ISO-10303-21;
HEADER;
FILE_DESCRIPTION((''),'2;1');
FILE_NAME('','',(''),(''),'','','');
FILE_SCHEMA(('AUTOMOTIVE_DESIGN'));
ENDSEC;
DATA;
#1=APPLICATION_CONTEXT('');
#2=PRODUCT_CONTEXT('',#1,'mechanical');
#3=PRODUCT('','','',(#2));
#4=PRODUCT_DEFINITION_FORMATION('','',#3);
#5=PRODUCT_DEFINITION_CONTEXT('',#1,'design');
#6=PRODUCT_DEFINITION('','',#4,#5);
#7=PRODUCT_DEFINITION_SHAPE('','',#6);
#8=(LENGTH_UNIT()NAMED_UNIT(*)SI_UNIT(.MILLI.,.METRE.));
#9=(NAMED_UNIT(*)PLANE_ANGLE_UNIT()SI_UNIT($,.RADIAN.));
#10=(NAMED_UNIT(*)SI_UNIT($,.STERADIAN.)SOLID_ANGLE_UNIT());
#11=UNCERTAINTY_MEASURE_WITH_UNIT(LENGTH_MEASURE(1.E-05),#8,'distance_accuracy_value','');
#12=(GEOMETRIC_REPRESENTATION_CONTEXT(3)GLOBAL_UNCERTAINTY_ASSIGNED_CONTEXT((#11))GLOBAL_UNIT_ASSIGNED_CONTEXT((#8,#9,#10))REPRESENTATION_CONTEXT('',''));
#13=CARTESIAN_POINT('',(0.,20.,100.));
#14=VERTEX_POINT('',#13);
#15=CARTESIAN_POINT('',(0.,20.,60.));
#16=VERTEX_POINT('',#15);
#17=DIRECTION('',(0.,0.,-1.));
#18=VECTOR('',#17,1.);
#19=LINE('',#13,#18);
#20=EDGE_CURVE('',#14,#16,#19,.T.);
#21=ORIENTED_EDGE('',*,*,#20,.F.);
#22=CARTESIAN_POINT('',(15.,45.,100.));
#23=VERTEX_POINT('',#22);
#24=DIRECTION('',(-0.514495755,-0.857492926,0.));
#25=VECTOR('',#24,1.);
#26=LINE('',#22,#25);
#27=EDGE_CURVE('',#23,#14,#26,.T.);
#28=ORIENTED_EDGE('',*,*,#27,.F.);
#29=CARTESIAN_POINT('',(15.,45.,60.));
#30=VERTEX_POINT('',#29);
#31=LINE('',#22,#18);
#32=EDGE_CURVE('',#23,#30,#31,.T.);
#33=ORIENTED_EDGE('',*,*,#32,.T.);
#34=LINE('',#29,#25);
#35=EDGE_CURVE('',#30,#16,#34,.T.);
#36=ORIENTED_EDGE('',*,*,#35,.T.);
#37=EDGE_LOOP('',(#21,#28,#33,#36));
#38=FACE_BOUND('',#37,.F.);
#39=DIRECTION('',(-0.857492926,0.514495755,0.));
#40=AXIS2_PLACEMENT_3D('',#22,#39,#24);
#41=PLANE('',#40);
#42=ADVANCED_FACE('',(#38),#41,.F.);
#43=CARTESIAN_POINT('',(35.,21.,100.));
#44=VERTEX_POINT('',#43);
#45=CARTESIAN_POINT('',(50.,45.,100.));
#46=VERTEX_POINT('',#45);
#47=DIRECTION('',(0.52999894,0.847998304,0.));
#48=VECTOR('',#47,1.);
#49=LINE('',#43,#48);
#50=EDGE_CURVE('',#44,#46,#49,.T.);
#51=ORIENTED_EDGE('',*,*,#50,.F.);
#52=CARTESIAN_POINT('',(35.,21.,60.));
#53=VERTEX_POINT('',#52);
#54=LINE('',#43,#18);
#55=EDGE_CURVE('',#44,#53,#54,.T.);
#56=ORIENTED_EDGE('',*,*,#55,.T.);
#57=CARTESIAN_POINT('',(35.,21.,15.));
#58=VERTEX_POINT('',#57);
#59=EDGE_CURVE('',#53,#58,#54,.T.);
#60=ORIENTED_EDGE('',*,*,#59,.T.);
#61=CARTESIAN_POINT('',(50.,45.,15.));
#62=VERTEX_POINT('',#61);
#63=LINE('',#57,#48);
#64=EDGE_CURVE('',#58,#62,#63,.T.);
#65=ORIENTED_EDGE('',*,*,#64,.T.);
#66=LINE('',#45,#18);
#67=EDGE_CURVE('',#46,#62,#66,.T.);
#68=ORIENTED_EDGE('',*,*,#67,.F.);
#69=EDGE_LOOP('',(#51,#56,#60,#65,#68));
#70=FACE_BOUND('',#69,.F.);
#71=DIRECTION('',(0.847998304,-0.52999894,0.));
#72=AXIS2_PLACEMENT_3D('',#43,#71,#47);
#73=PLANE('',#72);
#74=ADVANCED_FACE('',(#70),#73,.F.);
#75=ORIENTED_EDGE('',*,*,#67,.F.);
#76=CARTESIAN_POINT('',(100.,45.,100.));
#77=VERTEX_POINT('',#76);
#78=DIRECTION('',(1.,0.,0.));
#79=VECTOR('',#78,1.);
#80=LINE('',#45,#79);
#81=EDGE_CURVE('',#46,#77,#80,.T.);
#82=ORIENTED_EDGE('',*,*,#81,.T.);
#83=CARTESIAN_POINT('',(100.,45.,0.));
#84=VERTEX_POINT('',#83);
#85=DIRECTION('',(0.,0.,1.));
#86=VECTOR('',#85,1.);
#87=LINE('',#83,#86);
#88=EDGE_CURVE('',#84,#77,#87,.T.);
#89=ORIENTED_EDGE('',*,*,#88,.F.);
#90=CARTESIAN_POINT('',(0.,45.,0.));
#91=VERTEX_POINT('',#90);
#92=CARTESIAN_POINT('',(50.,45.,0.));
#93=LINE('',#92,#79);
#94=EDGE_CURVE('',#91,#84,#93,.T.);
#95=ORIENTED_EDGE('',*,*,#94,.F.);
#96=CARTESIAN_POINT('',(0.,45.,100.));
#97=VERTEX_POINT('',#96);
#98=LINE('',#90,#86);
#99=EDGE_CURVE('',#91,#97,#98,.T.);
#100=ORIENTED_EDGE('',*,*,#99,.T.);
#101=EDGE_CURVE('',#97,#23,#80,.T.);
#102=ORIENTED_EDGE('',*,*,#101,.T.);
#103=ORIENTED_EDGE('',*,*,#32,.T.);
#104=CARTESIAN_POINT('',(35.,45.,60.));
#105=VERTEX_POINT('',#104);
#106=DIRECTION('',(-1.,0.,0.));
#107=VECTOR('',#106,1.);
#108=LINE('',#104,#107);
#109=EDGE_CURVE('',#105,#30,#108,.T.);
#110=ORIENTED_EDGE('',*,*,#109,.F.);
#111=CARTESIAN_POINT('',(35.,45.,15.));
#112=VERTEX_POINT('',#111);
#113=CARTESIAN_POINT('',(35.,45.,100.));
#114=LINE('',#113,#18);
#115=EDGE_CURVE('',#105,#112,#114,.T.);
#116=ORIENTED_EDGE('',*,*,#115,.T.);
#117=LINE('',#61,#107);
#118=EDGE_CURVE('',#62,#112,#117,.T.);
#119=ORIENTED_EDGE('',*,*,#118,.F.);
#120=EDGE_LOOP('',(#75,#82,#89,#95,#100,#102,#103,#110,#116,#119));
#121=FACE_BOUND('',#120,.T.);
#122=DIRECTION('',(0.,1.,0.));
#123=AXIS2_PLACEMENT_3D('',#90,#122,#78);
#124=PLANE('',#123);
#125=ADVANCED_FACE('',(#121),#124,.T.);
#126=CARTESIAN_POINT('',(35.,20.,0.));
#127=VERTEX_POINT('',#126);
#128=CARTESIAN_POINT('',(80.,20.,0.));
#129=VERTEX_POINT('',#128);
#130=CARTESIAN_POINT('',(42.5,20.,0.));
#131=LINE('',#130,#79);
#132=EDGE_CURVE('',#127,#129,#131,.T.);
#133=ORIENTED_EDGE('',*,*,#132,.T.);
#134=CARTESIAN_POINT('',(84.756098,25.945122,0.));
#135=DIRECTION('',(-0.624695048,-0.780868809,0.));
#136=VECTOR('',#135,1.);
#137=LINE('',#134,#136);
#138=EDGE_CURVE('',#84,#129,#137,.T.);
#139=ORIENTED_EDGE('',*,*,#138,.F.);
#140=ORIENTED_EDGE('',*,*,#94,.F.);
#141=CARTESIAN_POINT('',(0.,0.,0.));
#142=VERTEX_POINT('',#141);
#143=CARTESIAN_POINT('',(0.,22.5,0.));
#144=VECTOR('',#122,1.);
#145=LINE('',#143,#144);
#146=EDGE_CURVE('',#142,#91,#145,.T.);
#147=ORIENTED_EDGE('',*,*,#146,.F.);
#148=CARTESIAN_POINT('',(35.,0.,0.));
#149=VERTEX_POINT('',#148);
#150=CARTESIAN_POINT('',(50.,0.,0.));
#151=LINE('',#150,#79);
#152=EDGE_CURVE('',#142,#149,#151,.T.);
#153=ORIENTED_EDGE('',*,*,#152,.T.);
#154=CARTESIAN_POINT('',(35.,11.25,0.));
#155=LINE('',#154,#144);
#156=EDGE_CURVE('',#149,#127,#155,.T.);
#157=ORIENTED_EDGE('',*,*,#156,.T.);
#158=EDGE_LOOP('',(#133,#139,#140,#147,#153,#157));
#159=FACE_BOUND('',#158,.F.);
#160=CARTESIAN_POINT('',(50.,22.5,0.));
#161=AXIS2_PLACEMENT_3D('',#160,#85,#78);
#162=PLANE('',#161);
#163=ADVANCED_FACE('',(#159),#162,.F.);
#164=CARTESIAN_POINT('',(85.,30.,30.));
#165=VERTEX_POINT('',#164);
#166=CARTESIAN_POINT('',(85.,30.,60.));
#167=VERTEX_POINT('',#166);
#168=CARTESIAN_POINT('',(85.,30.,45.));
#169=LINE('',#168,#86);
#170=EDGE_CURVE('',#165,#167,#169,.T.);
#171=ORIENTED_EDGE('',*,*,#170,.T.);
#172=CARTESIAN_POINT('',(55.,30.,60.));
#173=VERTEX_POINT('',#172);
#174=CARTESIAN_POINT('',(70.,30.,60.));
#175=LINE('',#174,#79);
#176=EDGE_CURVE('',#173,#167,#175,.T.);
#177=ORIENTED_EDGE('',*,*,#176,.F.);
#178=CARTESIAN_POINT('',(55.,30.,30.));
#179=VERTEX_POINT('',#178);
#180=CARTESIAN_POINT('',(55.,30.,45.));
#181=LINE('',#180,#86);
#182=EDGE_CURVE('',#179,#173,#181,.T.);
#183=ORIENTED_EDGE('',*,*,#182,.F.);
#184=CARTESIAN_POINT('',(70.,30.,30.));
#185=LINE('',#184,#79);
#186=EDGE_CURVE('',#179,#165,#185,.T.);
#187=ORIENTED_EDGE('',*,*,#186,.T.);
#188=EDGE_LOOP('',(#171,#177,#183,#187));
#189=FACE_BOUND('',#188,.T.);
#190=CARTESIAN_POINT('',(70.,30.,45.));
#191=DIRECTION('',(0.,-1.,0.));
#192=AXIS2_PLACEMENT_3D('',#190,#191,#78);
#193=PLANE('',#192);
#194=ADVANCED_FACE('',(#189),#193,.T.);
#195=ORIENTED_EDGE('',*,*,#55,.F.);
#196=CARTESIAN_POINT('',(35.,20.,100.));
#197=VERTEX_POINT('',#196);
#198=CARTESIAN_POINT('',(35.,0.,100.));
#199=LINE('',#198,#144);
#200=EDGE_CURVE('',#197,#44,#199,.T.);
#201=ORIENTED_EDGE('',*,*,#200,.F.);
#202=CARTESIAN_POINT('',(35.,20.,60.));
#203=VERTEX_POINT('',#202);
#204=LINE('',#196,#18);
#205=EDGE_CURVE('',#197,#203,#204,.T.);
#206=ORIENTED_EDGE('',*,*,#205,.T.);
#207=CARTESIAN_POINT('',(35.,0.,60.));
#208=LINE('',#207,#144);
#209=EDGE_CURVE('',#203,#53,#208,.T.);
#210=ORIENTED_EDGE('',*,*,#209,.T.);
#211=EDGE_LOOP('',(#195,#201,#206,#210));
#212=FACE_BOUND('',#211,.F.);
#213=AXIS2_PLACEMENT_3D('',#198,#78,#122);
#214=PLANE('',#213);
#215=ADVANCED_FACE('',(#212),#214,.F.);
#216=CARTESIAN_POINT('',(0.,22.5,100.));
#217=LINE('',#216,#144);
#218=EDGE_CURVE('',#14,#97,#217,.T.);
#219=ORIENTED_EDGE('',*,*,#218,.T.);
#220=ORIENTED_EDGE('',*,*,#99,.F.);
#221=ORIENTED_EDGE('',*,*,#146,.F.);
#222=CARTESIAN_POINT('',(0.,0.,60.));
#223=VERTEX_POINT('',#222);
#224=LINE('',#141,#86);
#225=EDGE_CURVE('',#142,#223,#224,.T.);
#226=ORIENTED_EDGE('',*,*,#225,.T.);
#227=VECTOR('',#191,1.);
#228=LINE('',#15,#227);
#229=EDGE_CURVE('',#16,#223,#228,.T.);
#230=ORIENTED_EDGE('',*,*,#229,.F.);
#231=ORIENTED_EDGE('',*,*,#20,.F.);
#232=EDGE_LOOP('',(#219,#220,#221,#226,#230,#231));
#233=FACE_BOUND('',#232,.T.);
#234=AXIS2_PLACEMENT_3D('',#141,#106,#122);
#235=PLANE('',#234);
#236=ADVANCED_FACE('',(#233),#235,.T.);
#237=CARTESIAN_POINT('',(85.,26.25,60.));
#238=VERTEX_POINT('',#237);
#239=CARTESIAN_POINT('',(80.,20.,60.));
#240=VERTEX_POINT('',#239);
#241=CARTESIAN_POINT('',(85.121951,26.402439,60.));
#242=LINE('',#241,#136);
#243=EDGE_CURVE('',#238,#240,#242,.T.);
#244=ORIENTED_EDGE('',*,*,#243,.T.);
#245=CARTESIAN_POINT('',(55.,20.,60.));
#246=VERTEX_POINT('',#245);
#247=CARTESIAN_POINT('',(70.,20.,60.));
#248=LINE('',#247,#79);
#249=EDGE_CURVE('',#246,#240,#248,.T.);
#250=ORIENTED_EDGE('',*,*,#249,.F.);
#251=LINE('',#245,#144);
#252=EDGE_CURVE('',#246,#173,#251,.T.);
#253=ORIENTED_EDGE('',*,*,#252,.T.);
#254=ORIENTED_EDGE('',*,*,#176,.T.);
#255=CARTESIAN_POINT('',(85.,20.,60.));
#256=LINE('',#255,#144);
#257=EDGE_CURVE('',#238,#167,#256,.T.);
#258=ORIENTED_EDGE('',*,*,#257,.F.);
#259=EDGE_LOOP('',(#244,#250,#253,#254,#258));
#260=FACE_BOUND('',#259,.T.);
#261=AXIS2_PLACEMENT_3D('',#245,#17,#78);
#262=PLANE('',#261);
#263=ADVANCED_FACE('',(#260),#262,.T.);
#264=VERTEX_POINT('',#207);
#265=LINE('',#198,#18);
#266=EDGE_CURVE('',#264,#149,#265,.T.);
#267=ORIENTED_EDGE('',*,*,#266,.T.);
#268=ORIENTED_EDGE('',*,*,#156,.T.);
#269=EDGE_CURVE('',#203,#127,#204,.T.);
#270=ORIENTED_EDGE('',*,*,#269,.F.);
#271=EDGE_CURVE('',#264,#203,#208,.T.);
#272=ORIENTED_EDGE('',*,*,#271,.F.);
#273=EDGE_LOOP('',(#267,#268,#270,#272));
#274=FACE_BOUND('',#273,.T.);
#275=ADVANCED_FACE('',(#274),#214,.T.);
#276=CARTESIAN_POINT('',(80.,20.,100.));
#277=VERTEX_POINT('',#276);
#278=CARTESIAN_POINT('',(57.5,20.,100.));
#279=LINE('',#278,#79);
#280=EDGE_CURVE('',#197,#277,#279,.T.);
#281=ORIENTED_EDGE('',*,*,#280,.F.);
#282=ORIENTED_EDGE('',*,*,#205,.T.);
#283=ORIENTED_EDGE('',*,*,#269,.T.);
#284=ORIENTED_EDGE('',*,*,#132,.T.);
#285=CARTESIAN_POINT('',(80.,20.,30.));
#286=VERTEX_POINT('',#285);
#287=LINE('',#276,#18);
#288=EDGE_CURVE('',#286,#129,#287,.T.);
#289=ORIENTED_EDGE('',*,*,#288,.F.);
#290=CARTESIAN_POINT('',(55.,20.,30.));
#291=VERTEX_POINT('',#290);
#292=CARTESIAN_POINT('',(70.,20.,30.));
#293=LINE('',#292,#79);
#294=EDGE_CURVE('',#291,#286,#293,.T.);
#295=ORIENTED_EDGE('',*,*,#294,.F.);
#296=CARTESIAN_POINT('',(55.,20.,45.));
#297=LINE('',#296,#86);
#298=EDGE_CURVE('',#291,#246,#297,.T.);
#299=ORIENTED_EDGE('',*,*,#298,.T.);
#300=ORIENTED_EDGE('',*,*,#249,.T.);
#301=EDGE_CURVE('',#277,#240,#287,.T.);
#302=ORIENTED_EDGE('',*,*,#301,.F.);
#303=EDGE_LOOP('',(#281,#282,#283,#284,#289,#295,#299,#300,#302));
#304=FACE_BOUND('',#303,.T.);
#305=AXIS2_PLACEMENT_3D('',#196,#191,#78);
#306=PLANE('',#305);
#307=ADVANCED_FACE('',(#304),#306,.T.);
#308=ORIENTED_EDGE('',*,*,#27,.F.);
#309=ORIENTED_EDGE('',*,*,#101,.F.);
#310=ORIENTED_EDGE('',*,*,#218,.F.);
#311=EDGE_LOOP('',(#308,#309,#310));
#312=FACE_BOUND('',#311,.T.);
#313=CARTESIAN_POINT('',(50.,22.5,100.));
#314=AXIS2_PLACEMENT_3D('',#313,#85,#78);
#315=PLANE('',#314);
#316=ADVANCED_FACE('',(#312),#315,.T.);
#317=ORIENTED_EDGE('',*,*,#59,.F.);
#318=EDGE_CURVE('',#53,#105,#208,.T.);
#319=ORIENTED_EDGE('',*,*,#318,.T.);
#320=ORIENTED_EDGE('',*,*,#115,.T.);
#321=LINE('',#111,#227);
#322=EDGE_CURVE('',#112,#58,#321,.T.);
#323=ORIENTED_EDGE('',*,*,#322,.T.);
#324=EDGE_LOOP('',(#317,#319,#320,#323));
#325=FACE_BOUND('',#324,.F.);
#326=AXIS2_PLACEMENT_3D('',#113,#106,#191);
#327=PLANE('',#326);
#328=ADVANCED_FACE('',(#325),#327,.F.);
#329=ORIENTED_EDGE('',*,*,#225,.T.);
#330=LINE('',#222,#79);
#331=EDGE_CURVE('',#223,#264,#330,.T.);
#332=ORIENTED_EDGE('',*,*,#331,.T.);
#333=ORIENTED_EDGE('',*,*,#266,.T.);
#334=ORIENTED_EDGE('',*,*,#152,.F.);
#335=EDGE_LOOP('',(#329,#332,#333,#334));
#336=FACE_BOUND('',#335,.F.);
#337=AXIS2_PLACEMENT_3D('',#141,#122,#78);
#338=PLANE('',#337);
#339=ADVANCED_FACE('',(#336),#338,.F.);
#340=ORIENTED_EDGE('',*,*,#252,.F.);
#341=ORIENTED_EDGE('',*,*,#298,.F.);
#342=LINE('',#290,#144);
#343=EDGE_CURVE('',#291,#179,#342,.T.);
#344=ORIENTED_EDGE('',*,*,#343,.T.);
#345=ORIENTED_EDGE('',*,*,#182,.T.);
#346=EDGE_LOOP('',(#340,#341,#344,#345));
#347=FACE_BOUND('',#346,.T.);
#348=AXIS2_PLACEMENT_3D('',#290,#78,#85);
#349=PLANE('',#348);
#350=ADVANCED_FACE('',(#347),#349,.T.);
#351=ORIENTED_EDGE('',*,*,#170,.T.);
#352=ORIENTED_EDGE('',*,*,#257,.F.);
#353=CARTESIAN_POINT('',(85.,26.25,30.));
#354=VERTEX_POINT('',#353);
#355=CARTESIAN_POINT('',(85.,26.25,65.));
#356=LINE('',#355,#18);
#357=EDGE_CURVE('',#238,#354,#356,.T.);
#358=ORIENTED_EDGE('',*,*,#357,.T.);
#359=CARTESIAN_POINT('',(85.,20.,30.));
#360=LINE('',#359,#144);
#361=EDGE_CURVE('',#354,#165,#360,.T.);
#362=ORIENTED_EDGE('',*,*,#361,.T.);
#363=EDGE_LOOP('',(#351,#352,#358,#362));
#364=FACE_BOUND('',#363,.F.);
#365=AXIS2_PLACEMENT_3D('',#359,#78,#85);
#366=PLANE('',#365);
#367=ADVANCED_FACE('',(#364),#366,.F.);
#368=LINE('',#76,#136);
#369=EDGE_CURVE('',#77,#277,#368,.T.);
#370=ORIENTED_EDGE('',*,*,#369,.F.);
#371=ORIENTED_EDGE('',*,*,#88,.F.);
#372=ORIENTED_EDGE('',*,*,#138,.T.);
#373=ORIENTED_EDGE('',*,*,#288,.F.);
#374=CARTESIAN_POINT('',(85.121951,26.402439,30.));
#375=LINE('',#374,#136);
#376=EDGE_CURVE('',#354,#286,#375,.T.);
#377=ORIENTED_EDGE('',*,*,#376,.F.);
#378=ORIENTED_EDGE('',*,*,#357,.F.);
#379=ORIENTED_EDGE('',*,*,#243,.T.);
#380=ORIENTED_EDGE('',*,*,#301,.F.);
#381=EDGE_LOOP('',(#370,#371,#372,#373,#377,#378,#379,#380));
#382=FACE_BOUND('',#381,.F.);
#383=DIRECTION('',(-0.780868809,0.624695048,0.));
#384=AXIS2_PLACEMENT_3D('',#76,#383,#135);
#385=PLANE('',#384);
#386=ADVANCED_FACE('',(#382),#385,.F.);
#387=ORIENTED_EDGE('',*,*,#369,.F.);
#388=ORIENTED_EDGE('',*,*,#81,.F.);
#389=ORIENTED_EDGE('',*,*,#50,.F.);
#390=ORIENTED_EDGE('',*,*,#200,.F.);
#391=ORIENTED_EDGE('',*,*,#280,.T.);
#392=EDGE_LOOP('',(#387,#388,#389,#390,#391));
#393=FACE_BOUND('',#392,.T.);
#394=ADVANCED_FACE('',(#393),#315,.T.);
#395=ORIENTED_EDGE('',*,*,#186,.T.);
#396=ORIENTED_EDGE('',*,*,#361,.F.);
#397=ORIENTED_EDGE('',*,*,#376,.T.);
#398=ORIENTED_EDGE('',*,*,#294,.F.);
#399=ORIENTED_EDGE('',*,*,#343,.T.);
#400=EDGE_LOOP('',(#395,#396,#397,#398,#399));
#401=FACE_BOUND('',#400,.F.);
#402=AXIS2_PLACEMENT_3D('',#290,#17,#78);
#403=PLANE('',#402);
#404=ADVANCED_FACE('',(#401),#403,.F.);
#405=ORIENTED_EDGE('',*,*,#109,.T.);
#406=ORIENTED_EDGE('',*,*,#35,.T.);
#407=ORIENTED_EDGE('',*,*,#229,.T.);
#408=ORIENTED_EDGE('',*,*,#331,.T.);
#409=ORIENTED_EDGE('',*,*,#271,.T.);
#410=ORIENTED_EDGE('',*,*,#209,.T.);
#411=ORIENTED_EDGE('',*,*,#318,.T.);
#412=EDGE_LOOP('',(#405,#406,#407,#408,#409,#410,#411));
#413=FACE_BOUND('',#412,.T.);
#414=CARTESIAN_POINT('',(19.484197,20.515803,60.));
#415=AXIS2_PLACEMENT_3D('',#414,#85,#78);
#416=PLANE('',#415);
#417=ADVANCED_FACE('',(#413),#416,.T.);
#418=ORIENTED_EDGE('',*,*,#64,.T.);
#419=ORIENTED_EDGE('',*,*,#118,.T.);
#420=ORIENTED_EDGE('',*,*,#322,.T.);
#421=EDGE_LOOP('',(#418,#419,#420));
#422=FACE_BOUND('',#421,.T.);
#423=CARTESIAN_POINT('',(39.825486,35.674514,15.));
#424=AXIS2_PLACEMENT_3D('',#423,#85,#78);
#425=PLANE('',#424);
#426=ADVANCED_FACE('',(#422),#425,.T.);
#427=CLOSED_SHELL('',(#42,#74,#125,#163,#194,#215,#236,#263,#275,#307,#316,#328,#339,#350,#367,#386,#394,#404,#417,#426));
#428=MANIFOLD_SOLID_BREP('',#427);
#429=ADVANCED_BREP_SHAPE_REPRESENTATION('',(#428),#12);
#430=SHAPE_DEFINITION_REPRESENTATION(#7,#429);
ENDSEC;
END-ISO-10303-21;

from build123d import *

# Parameters (mm, degrees)
F0_W      = 100
F0_H      = 45
F1_DEPTH  = 100
F3_DEPTH  = 40
F4_W      = 45
F4_H      = 20
F5_DEPTH  = 100.001
F7_DEPTH  = 100.001
F9_DEPTH  = 85
F10_W     = 30
F10_H     = 30
F11_DEPTH = 10


with BuildPart() as f1:
    # F0 (on Top) → F1 (new body)
    with BuildSketch(Plane.XY):
        with Locations((50, 22.5)):
            Rectangle(F0_W, F0_H)
    extrude(amount=F1_DEPTH)

    # F2 (on face) → F3 (cut)
    with BuildSketch(Plane.XY.offset(100)):
        Polygon((35, 45), (15, 45), (0, 20), (0, 0), (35, 0), align=None)
    extrude(amount=-F3_DEPTH, mode=Mode.SUBTRACT)

    # F4 (on face) → F5 (cut, through all)
    with BuildSketch(Plane.XY.offset(100)):
        with Locations((57.5, 10)):
            Rectangle(F4_W, F4_H)
    extrude(amount=-F5_DEPTH, mode=Mode.SUBTRACT)

    # F6 (on face) → F7 (cut, through all)
    with BuildSketch(Plane.XY.offset(100)):
        Polygon((100, 45), (80, 20), (80, 0), (100, 0), align=None)
    extrude(amount=-F7_DEPTH, mode=Mode.SUBTRACT)

    # F8 (on face) → F9 (cut)
    with BuildSketch(Plane.XY.offset(100)):
        Polygon((50, 45), (35, 45), (35, 21), align=None)
    extrude(amount=-F9_DEPTH, mode=Mode.SUBTRACT)

    # F10 (on face) → F11 (cut)
    with BuildSketch(Plane.XZ.offset(-20)):
        with Locations((70, 45)):
            Rectangle(F10_W, F10_H)
    extrude(amount=-F11_DEPTH, mode=Mode.SUBTRACT)


solid = f1.part
